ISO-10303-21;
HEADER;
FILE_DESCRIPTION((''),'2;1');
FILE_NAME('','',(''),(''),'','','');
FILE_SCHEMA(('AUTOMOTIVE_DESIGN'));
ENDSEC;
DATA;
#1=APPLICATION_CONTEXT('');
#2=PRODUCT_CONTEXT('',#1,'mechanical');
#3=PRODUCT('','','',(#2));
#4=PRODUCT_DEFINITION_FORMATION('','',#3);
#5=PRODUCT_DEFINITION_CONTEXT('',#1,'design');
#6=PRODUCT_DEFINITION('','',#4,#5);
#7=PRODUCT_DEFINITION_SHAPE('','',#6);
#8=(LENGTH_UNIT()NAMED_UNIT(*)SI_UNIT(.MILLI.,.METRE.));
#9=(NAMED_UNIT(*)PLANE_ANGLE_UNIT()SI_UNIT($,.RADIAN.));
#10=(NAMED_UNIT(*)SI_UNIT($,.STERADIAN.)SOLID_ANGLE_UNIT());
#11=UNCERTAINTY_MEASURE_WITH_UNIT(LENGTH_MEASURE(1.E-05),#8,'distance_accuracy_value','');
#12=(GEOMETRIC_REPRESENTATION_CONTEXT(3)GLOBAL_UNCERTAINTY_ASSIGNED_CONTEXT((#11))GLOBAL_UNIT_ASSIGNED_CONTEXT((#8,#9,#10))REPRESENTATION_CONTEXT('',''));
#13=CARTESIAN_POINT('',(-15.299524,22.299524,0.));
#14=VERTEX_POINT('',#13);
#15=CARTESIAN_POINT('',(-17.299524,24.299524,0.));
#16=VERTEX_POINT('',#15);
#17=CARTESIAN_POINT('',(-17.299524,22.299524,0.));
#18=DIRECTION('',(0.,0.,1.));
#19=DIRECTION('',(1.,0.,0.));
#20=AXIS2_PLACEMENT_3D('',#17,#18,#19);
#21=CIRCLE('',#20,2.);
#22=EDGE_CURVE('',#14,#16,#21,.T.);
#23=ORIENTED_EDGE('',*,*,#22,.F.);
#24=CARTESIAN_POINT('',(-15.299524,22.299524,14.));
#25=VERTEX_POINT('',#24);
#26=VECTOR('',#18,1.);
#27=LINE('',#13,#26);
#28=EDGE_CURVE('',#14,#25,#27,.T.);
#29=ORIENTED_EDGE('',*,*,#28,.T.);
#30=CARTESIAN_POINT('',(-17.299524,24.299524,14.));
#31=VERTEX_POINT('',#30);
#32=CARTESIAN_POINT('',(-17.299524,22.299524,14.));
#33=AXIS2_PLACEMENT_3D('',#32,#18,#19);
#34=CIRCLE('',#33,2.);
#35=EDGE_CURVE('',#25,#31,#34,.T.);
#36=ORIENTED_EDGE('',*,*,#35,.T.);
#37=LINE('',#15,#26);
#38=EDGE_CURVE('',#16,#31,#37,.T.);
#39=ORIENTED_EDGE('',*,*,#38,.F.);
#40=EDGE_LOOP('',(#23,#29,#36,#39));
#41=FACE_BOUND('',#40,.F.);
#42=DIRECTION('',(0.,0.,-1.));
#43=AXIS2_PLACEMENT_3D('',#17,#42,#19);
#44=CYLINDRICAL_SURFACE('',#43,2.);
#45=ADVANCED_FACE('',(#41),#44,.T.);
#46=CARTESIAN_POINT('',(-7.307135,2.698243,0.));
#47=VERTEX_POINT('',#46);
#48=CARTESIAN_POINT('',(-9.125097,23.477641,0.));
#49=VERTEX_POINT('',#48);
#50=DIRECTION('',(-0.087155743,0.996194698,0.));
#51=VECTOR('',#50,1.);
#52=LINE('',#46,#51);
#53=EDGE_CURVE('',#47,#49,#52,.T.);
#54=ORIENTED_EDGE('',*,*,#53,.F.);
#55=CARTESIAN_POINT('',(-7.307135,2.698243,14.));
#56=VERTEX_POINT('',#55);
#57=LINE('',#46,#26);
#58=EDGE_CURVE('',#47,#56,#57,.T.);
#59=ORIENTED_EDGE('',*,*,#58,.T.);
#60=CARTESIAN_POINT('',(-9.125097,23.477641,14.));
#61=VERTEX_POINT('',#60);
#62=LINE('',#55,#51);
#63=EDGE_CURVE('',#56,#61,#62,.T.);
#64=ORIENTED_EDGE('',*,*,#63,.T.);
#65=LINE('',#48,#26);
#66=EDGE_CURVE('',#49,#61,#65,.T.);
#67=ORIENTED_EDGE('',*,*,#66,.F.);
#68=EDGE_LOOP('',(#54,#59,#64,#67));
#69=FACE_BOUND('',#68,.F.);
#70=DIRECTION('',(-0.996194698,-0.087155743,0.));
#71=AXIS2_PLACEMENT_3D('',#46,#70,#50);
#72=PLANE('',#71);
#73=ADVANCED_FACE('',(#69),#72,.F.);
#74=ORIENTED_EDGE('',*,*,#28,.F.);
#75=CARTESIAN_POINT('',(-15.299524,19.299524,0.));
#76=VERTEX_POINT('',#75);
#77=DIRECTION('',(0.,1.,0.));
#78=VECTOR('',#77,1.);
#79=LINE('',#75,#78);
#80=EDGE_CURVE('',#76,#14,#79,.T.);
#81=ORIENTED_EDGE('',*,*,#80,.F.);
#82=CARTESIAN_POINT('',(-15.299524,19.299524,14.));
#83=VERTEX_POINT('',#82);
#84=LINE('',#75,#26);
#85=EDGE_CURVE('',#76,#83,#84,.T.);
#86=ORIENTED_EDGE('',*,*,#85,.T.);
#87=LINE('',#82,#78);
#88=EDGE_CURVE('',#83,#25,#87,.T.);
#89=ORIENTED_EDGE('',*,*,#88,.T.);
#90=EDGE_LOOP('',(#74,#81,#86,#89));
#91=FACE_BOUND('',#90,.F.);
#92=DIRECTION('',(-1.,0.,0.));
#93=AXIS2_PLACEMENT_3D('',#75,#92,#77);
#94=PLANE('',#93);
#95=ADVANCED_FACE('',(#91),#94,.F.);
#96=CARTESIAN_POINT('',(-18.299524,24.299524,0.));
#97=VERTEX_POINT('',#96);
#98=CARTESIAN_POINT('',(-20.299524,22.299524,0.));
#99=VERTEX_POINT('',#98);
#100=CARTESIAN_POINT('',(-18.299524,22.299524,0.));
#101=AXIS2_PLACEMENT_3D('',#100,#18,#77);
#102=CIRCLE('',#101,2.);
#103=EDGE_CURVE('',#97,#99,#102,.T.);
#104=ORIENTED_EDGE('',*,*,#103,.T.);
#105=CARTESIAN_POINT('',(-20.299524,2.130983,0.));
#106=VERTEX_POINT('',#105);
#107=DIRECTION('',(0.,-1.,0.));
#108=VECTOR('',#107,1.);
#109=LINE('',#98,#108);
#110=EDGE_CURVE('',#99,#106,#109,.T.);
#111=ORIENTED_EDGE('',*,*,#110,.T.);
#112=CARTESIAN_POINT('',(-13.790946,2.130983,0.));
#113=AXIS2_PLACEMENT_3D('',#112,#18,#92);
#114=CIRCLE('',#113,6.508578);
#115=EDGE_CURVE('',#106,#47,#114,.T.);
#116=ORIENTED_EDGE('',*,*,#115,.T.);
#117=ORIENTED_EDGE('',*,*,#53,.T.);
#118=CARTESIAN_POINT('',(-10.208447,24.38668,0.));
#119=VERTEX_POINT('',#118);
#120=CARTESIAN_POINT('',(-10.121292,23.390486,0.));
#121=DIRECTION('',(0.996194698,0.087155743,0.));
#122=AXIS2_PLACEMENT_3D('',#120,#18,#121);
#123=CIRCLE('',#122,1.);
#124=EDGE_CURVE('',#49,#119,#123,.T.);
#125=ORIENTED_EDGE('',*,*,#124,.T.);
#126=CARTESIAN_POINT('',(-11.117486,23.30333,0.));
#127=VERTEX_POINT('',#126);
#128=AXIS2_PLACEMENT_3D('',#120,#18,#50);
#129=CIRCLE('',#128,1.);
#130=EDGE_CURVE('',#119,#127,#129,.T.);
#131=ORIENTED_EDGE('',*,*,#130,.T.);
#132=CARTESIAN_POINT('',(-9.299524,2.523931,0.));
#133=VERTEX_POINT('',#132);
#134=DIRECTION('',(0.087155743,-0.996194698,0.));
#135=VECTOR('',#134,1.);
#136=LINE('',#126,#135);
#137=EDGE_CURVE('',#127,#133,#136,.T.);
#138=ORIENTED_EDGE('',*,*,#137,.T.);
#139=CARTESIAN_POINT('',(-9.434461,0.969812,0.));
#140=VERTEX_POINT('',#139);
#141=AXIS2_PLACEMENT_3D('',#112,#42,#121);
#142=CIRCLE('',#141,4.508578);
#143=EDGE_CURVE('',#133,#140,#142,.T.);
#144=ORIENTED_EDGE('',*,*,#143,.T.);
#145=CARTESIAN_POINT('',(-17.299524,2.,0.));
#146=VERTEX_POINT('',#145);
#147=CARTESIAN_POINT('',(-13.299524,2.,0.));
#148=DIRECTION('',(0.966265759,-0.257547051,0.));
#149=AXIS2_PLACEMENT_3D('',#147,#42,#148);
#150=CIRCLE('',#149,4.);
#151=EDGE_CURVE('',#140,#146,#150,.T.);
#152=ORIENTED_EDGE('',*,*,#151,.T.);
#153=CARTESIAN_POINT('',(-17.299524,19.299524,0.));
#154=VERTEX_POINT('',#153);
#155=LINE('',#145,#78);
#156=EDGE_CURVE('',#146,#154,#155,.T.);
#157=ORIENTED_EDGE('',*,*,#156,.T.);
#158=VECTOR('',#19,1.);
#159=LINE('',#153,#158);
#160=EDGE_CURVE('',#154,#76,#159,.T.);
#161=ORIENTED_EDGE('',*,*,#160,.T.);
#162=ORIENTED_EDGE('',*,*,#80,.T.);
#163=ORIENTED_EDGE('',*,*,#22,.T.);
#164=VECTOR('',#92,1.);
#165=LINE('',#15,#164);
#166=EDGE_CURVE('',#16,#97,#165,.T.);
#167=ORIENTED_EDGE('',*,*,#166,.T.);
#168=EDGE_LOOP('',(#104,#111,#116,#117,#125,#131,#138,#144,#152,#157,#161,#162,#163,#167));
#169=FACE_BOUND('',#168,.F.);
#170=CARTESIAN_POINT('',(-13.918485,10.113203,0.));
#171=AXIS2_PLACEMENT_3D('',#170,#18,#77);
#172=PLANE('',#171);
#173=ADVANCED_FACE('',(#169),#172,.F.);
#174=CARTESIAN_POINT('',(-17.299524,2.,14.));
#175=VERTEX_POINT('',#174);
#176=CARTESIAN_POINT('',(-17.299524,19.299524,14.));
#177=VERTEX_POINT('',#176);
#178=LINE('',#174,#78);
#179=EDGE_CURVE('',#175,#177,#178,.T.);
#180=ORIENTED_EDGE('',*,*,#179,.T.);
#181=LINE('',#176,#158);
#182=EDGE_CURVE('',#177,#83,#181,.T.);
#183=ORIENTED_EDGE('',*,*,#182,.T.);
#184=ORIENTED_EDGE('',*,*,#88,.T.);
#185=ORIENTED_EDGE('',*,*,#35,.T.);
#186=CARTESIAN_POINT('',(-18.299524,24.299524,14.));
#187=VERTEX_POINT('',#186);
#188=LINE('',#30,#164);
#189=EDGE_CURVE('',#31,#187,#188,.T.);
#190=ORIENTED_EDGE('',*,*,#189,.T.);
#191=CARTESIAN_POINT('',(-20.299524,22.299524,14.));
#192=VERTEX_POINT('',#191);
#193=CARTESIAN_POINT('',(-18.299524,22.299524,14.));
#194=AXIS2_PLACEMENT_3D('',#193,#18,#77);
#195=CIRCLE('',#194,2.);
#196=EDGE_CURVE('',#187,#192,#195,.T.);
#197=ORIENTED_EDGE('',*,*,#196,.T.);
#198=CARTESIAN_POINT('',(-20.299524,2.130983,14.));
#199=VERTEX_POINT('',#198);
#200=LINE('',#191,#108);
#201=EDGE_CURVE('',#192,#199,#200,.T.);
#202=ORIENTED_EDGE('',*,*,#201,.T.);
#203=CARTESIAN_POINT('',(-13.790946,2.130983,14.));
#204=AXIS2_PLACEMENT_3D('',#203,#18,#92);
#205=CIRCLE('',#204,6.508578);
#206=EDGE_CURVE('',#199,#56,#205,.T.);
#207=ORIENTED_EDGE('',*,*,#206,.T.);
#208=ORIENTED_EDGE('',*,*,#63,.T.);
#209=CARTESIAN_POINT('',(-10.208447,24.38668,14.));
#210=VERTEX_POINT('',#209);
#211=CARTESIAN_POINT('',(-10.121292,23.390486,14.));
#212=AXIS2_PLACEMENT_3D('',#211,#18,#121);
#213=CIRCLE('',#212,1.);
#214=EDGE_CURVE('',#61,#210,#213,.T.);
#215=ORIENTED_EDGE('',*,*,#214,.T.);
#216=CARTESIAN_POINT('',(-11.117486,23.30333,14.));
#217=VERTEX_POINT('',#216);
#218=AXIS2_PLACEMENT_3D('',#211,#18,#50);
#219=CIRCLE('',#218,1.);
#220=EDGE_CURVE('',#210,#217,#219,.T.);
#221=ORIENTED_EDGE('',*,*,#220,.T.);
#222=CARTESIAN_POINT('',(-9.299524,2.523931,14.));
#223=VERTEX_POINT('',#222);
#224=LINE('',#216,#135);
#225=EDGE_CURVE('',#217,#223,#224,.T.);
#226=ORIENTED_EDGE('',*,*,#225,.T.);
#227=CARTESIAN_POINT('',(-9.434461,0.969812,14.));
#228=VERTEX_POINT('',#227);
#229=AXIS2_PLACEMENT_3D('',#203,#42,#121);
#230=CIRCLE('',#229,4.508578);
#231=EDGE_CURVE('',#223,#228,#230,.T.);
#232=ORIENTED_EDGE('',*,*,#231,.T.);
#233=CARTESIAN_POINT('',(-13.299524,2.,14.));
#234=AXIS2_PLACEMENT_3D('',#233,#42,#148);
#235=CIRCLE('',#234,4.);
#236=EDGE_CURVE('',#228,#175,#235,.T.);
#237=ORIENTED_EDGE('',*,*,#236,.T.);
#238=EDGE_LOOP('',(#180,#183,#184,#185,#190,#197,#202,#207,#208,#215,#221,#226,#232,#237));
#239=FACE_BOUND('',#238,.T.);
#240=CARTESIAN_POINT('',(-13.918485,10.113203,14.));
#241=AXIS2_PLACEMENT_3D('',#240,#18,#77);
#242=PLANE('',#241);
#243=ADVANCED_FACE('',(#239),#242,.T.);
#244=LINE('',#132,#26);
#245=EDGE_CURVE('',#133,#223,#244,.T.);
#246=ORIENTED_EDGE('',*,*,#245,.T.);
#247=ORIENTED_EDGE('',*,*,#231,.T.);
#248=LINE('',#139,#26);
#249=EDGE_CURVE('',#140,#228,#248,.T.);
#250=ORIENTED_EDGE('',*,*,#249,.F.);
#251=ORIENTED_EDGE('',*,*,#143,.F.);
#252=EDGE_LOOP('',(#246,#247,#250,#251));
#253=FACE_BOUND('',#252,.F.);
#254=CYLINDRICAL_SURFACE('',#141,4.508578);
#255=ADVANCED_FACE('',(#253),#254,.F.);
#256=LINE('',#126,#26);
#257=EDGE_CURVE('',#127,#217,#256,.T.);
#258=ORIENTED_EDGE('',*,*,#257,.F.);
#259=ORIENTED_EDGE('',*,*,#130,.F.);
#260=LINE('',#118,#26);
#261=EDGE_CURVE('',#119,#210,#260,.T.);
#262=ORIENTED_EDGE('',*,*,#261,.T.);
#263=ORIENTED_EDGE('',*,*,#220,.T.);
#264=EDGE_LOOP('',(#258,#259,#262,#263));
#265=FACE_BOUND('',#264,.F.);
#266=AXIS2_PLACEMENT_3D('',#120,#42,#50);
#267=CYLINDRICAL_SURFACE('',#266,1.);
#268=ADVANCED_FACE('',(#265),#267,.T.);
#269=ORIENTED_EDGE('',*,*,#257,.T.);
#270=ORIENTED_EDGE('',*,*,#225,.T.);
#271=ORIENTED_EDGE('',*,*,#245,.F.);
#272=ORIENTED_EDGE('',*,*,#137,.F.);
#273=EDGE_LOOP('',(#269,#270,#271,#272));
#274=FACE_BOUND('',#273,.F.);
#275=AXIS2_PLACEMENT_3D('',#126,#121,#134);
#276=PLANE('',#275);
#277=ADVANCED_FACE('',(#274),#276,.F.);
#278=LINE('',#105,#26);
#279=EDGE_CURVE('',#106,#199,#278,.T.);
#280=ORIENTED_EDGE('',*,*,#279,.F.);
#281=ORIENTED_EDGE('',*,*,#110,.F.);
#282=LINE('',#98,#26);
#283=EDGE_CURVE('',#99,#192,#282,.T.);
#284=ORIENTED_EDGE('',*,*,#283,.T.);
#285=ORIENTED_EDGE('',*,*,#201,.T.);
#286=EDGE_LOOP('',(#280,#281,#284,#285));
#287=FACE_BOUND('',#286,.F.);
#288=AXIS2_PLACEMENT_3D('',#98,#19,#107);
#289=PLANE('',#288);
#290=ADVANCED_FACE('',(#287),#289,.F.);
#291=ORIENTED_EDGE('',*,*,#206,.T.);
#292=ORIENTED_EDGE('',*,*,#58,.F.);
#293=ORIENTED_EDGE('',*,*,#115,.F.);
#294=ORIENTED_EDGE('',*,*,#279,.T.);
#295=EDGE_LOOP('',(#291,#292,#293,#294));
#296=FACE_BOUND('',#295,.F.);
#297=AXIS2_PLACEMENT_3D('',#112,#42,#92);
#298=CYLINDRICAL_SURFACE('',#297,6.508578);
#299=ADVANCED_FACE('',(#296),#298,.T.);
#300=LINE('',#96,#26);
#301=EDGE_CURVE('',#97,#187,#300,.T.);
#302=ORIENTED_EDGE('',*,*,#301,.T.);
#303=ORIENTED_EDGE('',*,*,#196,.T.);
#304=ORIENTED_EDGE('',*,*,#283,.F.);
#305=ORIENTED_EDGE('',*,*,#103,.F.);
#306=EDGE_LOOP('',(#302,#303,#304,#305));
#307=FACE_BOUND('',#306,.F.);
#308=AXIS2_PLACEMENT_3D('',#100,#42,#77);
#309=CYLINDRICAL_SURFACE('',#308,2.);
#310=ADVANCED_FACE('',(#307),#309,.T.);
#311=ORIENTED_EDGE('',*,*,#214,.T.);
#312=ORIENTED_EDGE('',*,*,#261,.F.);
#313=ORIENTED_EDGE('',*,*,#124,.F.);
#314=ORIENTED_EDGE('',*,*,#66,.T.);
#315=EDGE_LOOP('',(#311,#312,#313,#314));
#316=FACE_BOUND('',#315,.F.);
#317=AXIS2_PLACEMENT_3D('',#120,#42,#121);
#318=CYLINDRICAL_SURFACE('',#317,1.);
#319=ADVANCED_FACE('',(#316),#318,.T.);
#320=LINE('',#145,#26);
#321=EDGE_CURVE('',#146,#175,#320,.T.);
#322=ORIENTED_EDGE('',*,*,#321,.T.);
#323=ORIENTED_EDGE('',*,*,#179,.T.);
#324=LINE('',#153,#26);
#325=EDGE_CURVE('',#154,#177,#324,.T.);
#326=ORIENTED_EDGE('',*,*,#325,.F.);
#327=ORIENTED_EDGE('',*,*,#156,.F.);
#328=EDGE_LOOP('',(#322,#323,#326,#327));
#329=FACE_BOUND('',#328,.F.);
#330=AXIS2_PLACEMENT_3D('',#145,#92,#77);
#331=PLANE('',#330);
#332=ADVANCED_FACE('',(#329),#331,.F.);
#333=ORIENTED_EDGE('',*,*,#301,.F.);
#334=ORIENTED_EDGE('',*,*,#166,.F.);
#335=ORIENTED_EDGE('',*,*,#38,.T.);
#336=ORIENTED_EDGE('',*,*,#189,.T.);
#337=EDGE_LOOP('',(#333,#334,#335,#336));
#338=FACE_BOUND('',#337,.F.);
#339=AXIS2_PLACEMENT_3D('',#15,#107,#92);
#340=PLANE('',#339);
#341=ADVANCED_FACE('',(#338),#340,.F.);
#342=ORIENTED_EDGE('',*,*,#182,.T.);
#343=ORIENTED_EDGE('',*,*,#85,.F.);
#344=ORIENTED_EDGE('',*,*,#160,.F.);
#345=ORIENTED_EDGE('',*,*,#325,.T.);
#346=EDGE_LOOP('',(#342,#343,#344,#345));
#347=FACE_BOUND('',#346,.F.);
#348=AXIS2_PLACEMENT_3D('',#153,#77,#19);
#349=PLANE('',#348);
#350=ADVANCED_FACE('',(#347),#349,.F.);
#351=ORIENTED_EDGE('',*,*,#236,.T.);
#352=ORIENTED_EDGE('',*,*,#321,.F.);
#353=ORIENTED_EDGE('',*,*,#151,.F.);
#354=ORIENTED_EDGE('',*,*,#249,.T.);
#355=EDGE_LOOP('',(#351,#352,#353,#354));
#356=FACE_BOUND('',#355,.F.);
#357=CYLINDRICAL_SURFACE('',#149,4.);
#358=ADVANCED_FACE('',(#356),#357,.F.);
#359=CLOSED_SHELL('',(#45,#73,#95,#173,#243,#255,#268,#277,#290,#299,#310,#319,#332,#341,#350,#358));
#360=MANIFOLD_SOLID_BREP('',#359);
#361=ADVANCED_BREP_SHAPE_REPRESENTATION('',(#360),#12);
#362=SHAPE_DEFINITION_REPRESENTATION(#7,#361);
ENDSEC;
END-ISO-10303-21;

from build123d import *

# Parameters (mm, degrees)
F1_DEPTH = 14
F2_ANGLE = 270


with BuildPart() as f1:
    # F0 (on Top) → F1 (new body)
    with BuildSketch(Plane.XY):
        with BuildLine():
            Line((0, 2), (0, 0))
            Line((0, 0), (3, 0))
            ThreePointArc((3, 0), (4.4142135624, 0.5857864376), (5, 2))
            Line((5, 2), (5, 3))
            ThreePointArc((5, 3), (4.4142135624, 4.4142135624), (3, 5))
            Line((3, 5), (-17.1685416299, 5))
            ThreePointArc((-17.1685416299, 5), (-23.6709251563, -1.7924784466), (-16.6012816583, -7.9923893962))
            Line((-16.6012816583, -7.9923893962), (4.1781167874, -6.1744275973))
            ThreePointArc((4.1781167874, -6.1744275973), (4.8570054878, -5.8210205089), (5.0871557427, -5.0910771565))
            ThreePointArc((5.0871557427, -5.0910771565), (4.7337486543, -4.4121884561), (4.0038053019, -4.1820382011))
            Line((4.0038053019, -4.1820382011), (-16.7755931438, -6))
            ThreePointArc((-16.7755931438, -6), (-17.5585332536, -6.0002577112), (-18.3297126631, -5.8650630349))
            ThreePointArc((-18.3297126631, -5.8650630349), (-21.265646755, -1.4805060826), (-17.2995244587, 2))
            Line((-17.2995244587, 2), (0, 2))
        make_face()
    extrude(amount=F1_DEPTH)


with BuildPart() as f1_1:
    # F2: moved
    add(f1.part.rotate(Axis((-17.2995244587, 2, 7), (0, 0, -1)), F2_ANGLE))


solid = f1_1.part
